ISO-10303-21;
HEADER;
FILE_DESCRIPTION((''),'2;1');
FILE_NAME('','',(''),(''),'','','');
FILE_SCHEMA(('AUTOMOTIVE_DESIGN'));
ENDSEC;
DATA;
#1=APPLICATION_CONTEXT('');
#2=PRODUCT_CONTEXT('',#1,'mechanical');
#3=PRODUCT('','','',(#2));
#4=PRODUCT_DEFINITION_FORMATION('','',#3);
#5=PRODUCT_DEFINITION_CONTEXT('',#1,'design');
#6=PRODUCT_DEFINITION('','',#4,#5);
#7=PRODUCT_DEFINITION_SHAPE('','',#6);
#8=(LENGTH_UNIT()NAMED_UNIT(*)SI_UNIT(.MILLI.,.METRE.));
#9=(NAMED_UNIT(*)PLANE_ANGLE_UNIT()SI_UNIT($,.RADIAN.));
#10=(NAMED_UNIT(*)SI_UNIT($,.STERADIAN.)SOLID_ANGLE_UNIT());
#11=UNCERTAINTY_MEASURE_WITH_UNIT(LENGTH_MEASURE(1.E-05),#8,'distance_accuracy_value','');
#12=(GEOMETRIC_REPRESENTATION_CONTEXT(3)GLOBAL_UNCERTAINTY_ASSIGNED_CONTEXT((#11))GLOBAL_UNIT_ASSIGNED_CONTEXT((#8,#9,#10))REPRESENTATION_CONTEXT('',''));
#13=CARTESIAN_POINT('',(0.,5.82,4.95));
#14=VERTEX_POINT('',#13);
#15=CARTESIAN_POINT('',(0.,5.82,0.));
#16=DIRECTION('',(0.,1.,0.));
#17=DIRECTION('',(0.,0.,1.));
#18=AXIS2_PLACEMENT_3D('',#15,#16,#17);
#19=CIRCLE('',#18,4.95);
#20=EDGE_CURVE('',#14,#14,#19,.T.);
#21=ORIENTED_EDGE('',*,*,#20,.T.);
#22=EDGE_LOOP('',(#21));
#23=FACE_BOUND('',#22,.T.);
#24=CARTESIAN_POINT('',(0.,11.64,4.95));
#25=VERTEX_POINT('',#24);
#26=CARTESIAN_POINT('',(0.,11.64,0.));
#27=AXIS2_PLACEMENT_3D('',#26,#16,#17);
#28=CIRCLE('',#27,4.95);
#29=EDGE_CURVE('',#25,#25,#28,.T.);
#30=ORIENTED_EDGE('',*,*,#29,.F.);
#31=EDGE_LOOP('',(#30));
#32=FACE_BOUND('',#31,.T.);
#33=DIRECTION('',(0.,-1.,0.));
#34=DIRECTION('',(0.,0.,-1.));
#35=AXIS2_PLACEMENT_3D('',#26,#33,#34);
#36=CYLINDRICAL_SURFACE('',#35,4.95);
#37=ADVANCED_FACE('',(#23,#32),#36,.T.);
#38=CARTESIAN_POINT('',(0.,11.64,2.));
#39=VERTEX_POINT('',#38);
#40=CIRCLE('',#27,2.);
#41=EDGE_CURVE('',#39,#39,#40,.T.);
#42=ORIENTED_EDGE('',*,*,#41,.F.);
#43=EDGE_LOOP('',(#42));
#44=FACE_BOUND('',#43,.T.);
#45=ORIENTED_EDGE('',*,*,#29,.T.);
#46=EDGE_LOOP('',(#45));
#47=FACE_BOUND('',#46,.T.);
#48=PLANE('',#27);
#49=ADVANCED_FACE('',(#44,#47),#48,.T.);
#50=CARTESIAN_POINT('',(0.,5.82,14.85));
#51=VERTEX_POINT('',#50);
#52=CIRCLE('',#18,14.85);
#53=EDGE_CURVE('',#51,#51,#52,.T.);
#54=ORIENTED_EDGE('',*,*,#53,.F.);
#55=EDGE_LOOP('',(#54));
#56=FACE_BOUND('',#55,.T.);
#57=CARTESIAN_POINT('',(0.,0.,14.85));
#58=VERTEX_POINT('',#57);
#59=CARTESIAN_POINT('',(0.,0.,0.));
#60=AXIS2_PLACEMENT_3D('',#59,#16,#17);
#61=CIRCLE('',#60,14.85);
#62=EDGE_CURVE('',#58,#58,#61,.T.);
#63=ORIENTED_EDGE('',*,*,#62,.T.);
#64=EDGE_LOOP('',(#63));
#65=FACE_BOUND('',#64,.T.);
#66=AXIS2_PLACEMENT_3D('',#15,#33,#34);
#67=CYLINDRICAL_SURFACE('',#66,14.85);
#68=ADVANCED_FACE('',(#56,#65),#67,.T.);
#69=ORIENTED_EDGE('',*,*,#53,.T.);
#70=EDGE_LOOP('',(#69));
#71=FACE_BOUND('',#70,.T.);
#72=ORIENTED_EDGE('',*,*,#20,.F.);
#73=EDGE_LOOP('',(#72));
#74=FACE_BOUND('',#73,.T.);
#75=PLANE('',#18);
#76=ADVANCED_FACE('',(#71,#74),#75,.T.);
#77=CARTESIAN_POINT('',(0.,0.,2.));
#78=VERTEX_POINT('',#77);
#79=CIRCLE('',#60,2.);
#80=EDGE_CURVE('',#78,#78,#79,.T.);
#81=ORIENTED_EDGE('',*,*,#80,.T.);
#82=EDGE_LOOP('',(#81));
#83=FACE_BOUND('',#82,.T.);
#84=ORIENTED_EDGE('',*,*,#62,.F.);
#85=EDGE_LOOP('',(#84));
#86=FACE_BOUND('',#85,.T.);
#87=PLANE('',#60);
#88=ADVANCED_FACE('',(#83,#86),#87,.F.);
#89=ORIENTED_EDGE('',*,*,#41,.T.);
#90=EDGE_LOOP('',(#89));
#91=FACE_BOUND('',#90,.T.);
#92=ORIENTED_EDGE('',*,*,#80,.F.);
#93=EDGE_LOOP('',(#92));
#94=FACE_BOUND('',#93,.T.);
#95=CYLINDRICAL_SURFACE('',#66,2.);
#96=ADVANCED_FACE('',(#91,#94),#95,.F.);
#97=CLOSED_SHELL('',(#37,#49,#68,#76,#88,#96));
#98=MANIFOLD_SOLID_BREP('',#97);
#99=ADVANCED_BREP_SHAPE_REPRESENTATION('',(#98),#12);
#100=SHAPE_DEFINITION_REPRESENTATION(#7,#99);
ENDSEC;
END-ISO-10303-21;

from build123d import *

# Parameters (mm, degrees)
SKETCH1_R           = 14.85
SKETCH1_R_2         = 2
BOSS_EXTRUDE1_DEPTH = 5.82
SKETCH2_R           = 4.95
SKETCH2_R_2         = 2
BOSS_EXTRUDE2_DEPTH = 5.82


with BuildPart() as part:
    # Sketch1 → Boss-Extrude1 (new body)
    with BuildSketch(Plane(origin=(0, 0, 0), x_dir=(1, 0, 0), z_dir=(0, 1, 0))):
        with Locations(Location((0, 0, 0), (0, 0, 270))):
            Circle(SKETCH1_R)
        with Locations(Location((0, 0, 0), (0, 0, 270))):
            Circle(SKETCH1_R_2, mode=Mode.SUBTRACT)
    extrude(amount=BOSS_EXTRUDE1_DEPTH)

    # Sketch2 → Boss-Extrude2 (add)
    with BuildSketch(Plane(origin=(0, 5.82, 0), x_dir=(1, 0, 0), z_dir=(0, 1, 0))):
        with Locations(Location((0, 0, 0), (0, 0, 270))):
            Circle(SKETCH2_R)
        with Locations(Location((0, 0, 0), (0, 0, 270))):
            Circle(SKETCH2_R_2, mode=Mode.SUBTRACT)
    extrude(amount=BOSS_EXTRUDE2_DEPTH)


solid = part.part
